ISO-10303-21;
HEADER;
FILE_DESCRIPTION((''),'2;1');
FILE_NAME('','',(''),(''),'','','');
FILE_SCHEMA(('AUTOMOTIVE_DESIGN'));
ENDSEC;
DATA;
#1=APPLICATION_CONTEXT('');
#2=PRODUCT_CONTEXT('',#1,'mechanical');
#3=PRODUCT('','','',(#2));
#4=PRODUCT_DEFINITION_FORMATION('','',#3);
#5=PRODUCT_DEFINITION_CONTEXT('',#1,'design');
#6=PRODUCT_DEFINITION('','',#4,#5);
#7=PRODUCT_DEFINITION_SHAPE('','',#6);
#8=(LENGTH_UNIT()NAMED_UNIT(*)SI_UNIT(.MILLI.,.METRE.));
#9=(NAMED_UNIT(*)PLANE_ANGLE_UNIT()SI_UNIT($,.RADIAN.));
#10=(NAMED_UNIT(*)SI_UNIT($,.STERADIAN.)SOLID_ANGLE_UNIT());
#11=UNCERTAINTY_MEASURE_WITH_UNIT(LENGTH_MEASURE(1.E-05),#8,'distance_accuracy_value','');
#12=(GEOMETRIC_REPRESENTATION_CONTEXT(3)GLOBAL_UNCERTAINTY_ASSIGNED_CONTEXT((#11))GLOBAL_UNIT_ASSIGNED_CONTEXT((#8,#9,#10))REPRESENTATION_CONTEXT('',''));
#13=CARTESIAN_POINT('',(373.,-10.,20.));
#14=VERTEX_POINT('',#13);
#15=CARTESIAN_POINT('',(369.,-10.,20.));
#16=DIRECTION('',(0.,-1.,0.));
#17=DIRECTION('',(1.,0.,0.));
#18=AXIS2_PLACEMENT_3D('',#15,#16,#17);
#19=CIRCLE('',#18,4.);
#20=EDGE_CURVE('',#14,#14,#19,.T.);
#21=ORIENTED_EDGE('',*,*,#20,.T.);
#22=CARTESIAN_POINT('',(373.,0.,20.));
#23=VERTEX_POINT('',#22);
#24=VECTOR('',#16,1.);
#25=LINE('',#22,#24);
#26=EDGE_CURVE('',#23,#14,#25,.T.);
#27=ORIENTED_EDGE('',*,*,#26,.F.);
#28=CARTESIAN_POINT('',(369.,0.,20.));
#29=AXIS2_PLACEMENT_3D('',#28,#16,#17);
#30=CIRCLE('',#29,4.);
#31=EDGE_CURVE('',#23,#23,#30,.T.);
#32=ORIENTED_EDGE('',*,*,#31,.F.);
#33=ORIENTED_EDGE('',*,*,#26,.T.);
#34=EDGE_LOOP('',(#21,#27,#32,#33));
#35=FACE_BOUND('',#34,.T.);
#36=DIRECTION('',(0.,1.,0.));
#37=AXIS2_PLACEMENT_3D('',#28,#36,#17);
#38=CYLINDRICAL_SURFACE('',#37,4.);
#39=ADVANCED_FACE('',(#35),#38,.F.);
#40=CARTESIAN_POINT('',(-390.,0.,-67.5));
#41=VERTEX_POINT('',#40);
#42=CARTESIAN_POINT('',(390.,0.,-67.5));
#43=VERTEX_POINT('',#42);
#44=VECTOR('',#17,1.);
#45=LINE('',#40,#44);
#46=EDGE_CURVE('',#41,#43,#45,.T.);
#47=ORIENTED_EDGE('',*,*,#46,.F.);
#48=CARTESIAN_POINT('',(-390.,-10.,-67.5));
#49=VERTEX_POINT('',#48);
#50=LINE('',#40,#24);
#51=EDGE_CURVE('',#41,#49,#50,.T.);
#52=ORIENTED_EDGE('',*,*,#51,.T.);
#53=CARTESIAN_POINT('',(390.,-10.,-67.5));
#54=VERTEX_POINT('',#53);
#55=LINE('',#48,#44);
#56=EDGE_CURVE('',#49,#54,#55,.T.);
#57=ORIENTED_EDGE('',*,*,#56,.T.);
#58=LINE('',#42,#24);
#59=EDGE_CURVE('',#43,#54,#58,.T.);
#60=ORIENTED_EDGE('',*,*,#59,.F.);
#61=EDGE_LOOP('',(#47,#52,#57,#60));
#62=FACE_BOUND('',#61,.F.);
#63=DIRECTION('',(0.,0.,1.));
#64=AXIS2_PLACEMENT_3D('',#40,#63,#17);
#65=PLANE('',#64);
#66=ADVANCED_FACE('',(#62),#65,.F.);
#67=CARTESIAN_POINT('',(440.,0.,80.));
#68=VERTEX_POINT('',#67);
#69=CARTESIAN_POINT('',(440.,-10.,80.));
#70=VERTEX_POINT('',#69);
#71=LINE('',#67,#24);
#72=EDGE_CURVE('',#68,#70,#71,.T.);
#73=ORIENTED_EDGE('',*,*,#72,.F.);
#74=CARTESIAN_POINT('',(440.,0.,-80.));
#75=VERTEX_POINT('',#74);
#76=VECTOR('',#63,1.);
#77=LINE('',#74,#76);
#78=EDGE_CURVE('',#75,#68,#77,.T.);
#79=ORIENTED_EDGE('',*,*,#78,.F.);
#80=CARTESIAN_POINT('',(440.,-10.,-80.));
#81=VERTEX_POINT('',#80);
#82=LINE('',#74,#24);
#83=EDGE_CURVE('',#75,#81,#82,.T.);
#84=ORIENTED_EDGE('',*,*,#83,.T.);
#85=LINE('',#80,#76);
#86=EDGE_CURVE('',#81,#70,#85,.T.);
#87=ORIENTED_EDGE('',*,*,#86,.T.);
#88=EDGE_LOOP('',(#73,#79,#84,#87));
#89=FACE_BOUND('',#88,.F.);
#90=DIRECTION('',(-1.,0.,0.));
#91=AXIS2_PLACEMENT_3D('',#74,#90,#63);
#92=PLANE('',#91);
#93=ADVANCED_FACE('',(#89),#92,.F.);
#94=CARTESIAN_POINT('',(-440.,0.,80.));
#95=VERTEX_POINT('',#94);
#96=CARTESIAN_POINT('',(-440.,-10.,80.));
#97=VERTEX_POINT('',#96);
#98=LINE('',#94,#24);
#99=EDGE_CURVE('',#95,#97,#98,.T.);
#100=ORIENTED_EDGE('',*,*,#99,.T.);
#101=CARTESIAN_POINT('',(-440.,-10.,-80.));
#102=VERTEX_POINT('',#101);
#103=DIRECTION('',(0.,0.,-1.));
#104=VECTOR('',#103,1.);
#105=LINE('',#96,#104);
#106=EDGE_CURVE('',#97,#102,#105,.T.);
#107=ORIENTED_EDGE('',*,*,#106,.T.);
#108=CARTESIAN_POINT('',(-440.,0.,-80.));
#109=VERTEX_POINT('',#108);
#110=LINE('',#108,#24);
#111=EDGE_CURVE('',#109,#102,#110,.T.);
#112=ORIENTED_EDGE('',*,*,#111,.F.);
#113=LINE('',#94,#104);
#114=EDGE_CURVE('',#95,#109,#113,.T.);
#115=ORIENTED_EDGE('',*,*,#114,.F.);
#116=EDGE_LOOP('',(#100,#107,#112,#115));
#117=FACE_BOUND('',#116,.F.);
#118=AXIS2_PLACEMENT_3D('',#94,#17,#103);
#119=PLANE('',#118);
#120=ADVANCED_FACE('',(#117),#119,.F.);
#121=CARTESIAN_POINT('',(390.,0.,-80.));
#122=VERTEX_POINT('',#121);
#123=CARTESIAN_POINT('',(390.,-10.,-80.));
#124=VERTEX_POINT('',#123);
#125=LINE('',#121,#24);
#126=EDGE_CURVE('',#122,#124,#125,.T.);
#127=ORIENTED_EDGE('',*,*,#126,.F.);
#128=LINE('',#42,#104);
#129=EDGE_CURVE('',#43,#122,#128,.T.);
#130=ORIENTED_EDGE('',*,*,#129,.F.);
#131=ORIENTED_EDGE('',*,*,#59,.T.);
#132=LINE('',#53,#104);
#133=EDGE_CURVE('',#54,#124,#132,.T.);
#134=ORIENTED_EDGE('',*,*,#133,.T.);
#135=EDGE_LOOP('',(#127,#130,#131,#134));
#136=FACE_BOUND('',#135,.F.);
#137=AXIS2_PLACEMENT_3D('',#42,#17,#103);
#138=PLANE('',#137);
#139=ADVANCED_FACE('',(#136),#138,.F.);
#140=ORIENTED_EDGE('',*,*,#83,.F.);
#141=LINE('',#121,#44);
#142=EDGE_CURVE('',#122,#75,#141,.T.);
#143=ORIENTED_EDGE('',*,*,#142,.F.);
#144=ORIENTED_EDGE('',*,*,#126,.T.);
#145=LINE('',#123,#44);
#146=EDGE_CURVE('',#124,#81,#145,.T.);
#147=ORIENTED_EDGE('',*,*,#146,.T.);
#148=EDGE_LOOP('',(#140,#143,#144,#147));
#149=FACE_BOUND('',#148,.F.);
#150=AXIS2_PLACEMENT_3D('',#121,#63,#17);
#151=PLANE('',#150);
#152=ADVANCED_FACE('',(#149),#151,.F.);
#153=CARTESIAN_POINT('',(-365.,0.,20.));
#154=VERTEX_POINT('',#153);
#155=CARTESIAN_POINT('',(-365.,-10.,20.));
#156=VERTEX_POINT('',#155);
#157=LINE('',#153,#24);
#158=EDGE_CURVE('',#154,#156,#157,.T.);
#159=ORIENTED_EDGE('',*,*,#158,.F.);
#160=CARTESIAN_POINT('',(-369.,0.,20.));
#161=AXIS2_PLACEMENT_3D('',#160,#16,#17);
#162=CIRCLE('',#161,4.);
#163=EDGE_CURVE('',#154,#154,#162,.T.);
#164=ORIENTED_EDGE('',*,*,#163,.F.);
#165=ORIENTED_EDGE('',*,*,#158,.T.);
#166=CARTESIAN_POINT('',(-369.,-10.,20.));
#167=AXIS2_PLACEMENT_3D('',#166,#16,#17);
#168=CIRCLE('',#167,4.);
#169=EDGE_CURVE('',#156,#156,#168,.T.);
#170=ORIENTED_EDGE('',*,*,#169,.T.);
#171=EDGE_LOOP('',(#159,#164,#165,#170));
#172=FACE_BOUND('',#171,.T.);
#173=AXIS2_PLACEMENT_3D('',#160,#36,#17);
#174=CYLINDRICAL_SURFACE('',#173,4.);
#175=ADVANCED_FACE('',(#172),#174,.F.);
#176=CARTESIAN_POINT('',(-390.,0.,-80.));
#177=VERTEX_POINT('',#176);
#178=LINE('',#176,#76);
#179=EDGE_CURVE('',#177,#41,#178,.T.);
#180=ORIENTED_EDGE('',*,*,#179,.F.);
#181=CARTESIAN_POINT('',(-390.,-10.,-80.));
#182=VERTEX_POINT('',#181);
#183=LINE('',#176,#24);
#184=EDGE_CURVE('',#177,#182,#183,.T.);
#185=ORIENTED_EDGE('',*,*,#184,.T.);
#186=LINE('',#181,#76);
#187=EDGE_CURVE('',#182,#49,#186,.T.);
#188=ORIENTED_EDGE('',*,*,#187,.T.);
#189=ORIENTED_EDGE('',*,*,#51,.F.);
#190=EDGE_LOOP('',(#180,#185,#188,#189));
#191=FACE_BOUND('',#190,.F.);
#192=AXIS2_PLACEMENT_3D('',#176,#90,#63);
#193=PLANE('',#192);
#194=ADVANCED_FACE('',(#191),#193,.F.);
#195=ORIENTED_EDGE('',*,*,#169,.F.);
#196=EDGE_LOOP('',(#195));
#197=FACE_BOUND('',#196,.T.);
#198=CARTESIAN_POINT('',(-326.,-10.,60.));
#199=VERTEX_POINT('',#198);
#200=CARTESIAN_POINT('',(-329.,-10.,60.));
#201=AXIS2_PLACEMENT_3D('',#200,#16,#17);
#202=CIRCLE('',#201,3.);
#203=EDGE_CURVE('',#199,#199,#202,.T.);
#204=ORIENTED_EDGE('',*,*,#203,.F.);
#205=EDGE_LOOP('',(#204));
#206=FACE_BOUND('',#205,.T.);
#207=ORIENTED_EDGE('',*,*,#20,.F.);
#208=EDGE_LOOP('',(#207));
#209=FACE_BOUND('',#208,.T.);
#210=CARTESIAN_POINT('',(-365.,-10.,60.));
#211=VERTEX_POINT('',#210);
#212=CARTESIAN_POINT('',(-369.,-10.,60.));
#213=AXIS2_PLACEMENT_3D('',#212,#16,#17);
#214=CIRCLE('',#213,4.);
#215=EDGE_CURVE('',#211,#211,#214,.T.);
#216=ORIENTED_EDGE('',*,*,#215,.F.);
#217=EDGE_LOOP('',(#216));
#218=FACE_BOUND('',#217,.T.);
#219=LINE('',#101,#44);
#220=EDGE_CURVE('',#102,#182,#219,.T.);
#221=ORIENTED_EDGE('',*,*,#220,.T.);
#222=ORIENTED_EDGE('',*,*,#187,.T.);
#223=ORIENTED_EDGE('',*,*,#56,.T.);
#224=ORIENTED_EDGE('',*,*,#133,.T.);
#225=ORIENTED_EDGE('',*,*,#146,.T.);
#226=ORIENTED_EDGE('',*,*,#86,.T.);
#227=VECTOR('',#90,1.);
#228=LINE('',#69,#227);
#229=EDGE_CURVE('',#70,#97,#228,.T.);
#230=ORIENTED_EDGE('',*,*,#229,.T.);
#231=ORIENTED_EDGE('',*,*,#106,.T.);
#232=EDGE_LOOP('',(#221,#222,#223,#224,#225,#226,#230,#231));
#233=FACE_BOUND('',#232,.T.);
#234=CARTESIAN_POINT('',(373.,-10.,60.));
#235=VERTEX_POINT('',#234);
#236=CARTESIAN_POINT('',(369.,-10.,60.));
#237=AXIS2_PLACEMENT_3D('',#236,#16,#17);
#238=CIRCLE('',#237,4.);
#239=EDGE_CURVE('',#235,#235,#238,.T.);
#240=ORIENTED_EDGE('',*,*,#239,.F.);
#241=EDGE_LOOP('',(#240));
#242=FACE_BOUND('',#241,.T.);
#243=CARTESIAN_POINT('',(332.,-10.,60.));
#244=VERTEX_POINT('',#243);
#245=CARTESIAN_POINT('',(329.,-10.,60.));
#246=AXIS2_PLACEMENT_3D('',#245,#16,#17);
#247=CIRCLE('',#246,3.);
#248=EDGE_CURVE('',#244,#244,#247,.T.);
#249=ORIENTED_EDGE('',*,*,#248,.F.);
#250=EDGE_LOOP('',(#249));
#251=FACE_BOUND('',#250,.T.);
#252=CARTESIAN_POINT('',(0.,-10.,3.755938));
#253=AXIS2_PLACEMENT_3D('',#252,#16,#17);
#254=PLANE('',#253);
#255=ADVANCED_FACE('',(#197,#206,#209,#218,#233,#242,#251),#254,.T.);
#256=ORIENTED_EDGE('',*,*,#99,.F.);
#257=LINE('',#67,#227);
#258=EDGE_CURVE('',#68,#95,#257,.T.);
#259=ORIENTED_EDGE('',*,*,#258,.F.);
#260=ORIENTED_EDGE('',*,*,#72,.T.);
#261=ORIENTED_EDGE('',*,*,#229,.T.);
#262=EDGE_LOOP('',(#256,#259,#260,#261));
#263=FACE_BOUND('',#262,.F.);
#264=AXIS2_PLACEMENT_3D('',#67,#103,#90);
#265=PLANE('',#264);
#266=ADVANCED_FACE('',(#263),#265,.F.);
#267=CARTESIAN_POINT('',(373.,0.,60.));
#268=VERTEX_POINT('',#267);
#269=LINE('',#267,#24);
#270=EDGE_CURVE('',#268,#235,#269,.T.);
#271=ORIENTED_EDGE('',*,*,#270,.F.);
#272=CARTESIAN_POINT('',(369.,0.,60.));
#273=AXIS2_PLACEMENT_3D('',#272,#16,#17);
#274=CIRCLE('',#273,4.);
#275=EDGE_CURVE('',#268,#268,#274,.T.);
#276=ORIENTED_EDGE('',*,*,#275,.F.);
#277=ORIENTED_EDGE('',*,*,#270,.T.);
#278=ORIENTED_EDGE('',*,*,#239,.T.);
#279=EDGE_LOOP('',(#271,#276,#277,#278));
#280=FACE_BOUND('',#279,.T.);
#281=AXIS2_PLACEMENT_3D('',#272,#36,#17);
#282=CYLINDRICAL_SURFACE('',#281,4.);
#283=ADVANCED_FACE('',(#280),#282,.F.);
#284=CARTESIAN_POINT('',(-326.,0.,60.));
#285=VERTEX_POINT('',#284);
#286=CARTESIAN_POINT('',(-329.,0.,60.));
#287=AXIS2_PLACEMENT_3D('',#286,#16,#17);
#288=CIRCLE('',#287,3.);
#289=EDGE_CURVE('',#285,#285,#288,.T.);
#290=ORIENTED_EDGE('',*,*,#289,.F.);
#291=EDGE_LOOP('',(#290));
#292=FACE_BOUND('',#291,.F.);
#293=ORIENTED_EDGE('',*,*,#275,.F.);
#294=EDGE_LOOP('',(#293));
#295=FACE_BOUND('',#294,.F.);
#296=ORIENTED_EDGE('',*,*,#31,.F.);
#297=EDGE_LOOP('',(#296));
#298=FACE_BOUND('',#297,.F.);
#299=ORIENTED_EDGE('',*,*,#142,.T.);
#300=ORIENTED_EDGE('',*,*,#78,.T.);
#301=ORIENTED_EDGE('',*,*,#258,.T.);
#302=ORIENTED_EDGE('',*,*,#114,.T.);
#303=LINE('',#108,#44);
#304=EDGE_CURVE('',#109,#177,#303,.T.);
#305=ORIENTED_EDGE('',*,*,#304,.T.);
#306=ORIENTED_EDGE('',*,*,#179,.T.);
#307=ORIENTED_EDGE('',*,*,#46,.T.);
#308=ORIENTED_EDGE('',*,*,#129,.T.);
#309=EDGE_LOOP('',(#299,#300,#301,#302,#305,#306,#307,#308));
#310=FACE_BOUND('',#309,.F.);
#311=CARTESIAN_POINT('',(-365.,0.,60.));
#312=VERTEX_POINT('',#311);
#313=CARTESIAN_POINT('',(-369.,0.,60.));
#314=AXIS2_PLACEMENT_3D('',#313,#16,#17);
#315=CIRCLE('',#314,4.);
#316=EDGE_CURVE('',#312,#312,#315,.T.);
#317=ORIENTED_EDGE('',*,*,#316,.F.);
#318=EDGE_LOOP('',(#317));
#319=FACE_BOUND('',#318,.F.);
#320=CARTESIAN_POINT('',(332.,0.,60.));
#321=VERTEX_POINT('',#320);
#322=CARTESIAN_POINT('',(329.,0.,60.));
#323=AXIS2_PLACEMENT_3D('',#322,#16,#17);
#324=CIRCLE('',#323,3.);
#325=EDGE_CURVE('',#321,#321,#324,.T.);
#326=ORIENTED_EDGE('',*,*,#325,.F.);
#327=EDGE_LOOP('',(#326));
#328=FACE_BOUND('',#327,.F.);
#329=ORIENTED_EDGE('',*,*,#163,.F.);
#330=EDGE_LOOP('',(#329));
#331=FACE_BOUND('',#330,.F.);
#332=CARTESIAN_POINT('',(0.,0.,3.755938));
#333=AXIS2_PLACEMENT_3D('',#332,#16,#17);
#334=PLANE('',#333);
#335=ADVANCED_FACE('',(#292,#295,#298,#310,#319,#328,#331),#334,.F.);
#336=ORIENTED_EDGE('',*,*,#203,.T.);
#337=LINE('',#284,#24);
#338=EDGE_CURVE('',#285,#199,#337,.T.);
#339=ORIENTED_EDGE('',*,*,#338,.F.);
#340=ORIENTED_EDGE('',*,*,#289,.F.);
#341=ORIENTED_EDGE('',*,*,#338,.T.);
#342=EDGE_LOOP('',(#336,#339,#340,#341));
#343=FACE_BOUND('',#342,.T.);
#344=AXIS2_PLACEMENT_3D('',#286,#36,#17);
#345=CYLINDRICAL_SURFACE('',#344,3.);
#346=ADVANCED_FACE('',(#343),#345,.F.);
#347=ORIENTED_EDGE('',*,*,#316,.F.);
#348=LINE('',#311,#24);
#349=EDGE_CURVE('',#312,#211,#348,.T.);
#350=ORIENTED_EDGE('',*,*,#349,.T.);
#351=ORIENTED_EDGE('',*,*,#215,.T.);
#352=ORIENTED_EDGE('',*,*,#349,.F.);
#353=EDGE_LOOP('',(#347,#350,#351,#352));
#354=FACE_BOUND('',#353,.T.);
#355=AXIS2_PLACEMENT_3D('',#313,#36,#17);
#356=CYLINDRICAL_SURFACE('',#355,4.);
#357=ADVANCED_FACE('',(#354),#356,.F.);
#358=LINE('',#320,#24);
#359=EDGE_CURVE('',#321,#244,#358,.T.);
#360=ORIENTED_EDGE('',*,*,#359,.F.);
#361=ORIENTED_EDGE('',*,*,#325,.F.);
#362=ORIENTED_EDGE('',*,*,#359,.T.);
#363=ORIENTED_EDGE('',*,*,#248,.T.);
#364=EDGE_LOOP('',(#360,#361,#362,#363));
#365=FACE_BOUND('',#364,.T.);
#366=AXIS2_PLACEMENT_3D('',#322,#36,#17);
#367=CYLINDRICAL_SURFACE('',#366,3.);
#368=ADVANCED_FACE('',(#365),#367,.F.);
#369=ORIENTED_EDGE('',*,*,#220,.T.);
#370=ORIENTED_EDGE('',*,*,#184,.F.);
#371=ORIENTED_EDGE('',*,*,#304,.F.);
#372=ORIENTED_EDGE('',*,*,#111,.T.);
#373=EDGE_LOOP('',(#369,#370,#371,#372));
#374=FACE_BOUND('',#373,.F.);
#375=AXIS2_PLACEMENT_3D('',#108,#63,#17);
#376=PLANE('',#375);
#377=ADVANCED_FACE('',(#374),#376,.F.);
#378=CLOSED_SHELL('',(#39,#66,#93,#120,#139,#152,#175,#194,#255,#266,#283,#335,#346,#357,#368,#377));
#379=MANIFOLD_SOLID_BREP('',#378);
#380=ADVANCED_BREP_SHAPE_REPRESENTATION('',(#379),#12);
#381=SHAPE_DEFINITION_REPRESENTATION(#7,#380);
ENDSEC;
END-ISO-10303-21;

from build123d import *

# Parameters (mm, degrees)
F0_R     = 4
F0_R_2   = 3
F1_DEPTH = 10


with BuildPart() as f1:
    # F0 (on Front) → F1 (new body)
    with BuildSketch(Plane.XZ):
        Polygon((390, -80), (440, -80), (440, 80), (-440, 80), (-440, -80), (-390, -80), (-390, -67.5), (390, -67.5), align=None)
        with Locations((-369, 20)):
            Circle(F0_R, mode=Mode.SUBTRACT)
        with Locations((-369, 60)):
            Circle(F0_R, mode=Mode.SUBTRACT)
        with Locations((-329, 60)):
            Circle(F0_R_2, mode=Mode.SUBTRACT)
        with Locations((369, 20)):
            Circle(F0_R, mode=Mode.SUBTRACT)
        with Locations((329, 60)):
            Circle(F0_R_2, mode=Mode.SUBTRACT)
        with Locations((369, 60)):
            Circle(F0_R, mode=Mode.SUBTRACT)
    extrude(amount=F1_DEPTH)


solid = f1.part
